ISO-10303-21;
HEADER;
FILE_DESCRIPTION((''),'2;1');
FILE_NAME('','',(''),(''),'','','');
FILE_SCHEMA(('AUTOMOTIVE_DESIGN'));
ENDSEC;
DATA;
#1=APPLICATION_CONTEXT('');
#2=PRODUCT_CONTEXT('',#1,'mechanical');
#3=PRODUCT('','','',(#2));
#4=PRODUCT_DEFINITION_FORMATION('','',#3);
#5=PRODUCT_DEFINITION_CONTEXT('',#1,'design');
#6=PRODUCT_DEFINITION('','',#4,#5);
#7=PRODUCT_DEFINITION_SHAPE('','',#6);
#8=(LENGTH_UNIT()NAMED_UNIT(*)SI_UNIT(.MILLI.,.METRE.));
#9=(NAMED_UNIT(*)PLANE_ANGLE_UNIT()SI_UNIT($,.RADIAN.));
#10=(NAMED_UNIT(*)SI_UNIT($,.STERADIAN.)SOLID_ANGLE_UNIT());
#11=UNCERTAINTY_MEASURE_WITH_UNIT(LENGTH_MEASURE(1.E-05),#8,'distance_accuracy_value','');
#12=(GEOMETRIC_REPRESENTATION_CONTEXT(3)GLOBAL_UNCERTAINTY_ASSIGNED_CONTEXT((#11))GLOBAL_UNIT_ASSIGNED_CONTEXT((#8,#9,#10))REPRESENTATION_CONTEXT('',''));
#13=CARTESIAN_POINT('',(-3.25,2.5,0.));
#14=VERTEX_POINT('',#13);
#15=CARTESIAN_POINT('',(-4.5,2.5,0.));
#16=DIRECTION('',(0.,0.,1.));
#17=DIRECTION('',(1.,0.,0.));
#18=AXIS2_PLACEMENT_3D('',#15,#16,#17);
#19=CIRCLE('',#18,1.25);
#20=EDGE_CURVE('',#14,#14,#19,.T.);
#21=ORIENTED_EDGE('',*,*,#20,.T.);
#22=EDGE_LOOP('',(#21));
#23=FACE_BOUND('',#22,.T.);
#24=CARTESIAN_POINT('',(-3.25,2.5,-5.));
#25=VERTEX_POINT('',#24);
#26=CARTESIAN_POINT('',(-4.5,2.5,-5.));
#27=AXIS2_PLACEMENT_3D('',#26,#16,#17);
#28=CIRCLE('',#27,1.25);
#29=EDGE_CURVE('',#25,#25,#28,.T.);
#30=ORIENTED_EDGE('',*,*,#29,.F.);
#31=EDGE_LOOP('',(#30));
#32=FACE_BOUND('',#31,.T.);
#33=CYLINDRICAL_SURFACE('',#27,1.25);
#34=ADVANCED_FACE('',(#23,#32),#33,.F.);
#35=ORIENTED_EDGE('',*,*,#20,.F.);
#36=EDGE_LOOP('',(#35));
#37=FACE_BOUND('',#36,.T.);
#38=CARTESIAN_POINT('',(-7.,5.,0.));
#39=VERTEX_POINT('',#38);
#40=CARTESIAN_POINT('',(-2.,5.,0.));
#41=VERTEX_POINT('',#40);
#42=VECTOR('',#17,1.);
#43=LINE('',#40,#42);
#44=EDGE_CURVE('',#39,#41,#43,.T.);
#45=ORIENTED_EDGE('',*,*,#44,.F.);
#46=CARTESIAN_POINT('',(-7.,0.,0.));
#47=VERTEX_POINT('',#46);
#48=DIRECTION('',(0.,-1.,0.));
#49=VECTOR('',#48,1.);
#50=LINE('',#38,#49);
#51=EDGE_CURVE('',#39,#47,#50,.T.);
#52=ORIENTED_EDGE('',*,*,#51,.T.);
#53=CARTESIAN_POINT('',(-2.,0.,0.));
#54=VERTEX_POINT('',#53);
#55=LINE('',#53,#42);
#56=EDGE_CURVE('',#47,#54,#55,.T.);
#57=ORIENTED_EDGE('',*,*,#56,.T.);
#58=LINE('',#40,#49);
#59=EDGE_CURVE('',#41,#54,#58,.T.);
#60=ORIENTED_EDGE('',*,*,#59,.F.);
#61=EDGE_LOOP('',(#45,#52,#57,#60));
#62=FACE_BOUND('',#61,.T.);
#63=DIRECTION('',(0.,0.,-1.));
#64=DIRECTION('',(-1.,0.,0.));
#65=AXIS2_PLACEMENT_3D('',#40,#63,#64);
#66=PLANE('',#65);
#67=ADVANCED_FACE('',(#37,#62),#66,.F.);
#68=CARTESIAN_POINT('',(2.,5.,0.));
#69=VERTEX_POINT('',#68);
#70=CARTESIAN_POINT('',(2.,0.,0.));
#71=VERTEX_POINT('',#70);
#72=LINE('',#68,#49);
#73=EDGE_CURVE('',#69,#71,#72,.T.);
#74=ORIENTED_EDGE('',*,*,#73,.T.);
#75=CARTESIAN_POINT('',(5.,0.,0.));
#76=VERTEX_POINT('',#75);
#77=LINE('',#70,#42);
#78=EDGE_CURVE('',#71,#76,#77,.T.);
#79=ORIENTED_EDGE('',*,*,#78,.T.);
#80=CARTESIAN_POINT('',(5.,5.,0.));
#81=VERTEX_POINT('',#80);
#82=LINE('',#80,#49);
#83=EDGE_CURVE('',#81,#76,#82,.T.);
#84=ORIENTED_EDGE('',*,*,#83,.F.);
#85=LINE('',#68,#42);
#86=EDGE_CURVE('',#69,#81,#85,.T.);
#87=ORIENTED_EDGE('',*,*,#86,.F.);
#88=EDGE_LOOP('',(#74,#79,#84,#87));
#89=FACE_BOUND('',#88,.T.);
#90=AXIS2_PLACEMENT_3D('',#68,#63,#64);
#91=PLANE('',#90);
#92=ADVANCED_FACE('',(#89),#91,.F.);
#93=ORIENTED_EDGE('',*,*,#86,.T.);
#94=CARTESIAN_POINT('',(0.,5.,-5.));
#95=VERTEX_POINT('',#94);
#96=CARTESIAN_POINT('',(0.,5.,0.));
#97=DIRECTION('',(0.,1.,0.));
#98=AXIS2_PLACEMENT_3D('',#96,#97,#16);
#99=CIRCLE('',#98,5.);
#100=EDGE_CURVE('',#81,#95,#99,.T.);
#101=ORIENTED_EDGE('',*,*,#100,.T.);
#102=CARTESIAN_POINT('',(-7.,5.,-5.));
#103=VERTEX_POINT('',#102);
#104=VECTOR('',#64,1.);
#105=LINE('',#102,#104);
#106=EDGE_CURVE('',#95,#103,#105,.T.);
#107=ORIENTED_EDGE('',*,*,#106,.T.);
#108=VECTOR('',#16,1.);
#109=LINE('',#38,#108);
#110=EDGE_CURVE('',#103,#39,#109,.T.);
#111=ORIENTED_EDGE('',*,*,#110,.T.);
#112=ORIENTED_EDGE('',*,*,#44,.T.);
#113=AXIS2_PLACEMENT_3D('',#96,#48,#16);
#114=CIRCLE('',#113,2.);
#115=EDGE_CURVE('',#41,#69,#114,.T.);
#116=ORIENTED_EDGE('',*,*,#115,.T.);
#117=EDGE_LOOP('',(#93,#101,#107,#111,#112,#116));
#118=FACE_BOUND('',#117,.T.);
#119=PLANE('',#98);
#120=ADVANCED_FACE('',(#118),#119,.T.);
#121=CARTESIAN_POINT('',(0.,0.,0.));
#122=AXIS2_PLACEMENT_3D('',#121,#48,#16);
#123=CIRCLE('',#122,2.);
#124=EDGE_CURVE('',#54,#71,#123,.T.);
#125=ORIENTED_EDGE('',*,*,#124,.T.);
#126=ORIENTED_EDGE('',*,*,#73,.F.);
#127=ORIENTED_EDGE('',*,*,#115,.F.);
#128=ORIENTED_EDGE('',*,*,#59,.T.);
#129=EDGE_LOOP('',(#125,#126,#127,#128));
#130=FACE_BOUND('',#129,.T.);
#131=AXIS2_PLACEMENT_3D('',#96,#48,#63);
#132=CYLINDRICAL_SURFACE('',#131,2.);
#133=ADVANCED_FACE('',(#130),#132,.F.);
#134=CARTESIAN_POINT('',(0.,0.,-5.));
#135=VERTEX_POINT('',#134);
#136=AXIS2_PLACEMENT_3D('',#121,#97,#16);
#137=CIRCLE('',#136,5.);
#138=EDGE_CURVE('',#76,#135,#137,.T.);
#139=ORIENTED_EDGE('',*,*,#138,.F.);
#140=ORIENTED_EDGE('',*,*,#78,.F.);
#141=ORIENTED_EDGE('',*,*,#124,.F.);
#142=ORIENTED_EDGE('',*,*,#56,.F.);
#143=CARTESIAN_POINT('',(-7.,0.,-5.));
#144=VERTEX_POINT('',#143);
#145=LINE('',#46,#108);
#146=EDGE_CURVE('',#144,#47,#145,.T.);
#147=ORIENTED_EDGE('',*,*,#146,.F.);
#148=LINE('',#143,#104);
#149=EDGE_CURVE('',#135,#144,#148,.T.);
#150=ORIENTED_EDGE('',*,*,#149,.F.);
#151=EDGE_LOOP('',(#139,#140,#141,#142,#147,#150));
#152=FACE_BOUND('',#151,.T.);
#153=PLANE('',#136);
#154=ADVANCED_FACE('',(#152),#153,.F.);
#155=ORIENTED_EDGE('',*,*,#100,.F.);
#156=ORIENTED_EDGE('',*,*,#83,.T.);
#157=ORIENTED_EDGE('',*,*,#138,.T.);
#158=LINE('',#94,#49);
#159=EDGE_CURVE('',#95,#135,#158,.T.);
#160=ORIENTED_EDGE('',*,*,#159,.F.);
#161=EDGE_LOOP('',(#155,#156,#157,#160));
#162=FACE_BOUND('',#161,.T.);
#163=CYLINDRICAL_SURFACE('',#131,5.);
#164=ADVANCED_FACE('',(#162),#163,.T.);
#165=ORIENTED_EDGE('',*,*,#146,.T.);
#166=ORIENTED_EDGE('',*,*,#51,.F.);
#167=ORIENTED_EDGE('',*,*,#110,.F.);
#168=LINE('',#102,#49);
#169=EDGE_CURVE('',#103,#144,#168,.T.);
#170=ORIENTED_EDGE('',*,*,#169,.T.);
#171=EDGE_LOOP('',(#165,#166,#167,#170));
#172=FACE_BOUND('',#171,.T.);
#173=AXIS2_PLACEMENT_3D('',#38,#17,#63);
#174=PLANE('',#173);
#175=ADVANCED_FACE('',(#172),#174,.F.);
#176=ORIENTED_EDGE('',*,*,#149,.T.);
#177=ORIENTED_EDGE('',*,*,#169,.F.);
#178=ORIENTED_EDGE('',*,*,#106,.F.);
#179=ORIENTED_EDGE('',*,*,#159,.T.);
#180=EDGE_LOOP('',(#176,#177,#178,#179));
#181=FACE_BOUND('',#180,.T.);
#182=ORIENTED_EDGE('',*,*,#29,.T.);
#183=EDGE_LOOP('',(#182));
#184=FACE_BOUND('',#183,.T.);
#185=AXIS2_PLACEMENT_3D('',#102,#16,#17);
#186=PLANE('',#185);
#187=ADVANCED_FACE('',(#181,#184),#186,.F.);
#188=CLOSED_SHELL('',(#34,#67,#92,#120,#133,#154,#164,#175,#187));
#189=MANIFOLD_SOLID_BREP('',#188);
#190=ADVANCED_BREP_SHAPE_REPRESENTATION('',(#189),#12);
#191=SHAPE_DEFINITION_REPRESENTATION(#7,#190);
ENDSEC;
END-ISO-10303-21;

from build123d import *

# Parameters (mm, degrees)
EXTRUDE_1_DEPTH     = 5
SKETCH_2_R          = 1.25
CUT_EXTRUDE_1_DEPTH = 5


with BuildPart() as part:
    # Эскиз1 → Бобышка-Вытянуть1 (new body)
    with BuildSketch(Plane(origin=(0, 0, 0), x_dir=(1, 0, 0), z_dir=(0, 1, 0))):
        with BuildLine():
            Line((2, 0), (5, 0))
            ThreePointArc((5, 0), (3.535533906, 3.535533906), (0, 5))
            Line((0, 5), (-7, 5))
            Line((-7, 5), (-7, 0))
            Line((-7, 0), (-2, 0))
            ThreePointArc((-2, 0), (0, 2), (2, 0))
        make_face()
    extrude(amount=EXTRUDE_1_DEPTH)

    # Эскиз2 → Вырез-Вытянуть1 (cut)
    with BuildSketch(Plane.XY):
        with Locations((-4.5, 2.5)):
            Circle(SKETCH_2_R)
    extrude(amount=-CUT_EXTRUDE_1_DEPTH, mode=Mode.SUBTRACT)


solid = part.part
